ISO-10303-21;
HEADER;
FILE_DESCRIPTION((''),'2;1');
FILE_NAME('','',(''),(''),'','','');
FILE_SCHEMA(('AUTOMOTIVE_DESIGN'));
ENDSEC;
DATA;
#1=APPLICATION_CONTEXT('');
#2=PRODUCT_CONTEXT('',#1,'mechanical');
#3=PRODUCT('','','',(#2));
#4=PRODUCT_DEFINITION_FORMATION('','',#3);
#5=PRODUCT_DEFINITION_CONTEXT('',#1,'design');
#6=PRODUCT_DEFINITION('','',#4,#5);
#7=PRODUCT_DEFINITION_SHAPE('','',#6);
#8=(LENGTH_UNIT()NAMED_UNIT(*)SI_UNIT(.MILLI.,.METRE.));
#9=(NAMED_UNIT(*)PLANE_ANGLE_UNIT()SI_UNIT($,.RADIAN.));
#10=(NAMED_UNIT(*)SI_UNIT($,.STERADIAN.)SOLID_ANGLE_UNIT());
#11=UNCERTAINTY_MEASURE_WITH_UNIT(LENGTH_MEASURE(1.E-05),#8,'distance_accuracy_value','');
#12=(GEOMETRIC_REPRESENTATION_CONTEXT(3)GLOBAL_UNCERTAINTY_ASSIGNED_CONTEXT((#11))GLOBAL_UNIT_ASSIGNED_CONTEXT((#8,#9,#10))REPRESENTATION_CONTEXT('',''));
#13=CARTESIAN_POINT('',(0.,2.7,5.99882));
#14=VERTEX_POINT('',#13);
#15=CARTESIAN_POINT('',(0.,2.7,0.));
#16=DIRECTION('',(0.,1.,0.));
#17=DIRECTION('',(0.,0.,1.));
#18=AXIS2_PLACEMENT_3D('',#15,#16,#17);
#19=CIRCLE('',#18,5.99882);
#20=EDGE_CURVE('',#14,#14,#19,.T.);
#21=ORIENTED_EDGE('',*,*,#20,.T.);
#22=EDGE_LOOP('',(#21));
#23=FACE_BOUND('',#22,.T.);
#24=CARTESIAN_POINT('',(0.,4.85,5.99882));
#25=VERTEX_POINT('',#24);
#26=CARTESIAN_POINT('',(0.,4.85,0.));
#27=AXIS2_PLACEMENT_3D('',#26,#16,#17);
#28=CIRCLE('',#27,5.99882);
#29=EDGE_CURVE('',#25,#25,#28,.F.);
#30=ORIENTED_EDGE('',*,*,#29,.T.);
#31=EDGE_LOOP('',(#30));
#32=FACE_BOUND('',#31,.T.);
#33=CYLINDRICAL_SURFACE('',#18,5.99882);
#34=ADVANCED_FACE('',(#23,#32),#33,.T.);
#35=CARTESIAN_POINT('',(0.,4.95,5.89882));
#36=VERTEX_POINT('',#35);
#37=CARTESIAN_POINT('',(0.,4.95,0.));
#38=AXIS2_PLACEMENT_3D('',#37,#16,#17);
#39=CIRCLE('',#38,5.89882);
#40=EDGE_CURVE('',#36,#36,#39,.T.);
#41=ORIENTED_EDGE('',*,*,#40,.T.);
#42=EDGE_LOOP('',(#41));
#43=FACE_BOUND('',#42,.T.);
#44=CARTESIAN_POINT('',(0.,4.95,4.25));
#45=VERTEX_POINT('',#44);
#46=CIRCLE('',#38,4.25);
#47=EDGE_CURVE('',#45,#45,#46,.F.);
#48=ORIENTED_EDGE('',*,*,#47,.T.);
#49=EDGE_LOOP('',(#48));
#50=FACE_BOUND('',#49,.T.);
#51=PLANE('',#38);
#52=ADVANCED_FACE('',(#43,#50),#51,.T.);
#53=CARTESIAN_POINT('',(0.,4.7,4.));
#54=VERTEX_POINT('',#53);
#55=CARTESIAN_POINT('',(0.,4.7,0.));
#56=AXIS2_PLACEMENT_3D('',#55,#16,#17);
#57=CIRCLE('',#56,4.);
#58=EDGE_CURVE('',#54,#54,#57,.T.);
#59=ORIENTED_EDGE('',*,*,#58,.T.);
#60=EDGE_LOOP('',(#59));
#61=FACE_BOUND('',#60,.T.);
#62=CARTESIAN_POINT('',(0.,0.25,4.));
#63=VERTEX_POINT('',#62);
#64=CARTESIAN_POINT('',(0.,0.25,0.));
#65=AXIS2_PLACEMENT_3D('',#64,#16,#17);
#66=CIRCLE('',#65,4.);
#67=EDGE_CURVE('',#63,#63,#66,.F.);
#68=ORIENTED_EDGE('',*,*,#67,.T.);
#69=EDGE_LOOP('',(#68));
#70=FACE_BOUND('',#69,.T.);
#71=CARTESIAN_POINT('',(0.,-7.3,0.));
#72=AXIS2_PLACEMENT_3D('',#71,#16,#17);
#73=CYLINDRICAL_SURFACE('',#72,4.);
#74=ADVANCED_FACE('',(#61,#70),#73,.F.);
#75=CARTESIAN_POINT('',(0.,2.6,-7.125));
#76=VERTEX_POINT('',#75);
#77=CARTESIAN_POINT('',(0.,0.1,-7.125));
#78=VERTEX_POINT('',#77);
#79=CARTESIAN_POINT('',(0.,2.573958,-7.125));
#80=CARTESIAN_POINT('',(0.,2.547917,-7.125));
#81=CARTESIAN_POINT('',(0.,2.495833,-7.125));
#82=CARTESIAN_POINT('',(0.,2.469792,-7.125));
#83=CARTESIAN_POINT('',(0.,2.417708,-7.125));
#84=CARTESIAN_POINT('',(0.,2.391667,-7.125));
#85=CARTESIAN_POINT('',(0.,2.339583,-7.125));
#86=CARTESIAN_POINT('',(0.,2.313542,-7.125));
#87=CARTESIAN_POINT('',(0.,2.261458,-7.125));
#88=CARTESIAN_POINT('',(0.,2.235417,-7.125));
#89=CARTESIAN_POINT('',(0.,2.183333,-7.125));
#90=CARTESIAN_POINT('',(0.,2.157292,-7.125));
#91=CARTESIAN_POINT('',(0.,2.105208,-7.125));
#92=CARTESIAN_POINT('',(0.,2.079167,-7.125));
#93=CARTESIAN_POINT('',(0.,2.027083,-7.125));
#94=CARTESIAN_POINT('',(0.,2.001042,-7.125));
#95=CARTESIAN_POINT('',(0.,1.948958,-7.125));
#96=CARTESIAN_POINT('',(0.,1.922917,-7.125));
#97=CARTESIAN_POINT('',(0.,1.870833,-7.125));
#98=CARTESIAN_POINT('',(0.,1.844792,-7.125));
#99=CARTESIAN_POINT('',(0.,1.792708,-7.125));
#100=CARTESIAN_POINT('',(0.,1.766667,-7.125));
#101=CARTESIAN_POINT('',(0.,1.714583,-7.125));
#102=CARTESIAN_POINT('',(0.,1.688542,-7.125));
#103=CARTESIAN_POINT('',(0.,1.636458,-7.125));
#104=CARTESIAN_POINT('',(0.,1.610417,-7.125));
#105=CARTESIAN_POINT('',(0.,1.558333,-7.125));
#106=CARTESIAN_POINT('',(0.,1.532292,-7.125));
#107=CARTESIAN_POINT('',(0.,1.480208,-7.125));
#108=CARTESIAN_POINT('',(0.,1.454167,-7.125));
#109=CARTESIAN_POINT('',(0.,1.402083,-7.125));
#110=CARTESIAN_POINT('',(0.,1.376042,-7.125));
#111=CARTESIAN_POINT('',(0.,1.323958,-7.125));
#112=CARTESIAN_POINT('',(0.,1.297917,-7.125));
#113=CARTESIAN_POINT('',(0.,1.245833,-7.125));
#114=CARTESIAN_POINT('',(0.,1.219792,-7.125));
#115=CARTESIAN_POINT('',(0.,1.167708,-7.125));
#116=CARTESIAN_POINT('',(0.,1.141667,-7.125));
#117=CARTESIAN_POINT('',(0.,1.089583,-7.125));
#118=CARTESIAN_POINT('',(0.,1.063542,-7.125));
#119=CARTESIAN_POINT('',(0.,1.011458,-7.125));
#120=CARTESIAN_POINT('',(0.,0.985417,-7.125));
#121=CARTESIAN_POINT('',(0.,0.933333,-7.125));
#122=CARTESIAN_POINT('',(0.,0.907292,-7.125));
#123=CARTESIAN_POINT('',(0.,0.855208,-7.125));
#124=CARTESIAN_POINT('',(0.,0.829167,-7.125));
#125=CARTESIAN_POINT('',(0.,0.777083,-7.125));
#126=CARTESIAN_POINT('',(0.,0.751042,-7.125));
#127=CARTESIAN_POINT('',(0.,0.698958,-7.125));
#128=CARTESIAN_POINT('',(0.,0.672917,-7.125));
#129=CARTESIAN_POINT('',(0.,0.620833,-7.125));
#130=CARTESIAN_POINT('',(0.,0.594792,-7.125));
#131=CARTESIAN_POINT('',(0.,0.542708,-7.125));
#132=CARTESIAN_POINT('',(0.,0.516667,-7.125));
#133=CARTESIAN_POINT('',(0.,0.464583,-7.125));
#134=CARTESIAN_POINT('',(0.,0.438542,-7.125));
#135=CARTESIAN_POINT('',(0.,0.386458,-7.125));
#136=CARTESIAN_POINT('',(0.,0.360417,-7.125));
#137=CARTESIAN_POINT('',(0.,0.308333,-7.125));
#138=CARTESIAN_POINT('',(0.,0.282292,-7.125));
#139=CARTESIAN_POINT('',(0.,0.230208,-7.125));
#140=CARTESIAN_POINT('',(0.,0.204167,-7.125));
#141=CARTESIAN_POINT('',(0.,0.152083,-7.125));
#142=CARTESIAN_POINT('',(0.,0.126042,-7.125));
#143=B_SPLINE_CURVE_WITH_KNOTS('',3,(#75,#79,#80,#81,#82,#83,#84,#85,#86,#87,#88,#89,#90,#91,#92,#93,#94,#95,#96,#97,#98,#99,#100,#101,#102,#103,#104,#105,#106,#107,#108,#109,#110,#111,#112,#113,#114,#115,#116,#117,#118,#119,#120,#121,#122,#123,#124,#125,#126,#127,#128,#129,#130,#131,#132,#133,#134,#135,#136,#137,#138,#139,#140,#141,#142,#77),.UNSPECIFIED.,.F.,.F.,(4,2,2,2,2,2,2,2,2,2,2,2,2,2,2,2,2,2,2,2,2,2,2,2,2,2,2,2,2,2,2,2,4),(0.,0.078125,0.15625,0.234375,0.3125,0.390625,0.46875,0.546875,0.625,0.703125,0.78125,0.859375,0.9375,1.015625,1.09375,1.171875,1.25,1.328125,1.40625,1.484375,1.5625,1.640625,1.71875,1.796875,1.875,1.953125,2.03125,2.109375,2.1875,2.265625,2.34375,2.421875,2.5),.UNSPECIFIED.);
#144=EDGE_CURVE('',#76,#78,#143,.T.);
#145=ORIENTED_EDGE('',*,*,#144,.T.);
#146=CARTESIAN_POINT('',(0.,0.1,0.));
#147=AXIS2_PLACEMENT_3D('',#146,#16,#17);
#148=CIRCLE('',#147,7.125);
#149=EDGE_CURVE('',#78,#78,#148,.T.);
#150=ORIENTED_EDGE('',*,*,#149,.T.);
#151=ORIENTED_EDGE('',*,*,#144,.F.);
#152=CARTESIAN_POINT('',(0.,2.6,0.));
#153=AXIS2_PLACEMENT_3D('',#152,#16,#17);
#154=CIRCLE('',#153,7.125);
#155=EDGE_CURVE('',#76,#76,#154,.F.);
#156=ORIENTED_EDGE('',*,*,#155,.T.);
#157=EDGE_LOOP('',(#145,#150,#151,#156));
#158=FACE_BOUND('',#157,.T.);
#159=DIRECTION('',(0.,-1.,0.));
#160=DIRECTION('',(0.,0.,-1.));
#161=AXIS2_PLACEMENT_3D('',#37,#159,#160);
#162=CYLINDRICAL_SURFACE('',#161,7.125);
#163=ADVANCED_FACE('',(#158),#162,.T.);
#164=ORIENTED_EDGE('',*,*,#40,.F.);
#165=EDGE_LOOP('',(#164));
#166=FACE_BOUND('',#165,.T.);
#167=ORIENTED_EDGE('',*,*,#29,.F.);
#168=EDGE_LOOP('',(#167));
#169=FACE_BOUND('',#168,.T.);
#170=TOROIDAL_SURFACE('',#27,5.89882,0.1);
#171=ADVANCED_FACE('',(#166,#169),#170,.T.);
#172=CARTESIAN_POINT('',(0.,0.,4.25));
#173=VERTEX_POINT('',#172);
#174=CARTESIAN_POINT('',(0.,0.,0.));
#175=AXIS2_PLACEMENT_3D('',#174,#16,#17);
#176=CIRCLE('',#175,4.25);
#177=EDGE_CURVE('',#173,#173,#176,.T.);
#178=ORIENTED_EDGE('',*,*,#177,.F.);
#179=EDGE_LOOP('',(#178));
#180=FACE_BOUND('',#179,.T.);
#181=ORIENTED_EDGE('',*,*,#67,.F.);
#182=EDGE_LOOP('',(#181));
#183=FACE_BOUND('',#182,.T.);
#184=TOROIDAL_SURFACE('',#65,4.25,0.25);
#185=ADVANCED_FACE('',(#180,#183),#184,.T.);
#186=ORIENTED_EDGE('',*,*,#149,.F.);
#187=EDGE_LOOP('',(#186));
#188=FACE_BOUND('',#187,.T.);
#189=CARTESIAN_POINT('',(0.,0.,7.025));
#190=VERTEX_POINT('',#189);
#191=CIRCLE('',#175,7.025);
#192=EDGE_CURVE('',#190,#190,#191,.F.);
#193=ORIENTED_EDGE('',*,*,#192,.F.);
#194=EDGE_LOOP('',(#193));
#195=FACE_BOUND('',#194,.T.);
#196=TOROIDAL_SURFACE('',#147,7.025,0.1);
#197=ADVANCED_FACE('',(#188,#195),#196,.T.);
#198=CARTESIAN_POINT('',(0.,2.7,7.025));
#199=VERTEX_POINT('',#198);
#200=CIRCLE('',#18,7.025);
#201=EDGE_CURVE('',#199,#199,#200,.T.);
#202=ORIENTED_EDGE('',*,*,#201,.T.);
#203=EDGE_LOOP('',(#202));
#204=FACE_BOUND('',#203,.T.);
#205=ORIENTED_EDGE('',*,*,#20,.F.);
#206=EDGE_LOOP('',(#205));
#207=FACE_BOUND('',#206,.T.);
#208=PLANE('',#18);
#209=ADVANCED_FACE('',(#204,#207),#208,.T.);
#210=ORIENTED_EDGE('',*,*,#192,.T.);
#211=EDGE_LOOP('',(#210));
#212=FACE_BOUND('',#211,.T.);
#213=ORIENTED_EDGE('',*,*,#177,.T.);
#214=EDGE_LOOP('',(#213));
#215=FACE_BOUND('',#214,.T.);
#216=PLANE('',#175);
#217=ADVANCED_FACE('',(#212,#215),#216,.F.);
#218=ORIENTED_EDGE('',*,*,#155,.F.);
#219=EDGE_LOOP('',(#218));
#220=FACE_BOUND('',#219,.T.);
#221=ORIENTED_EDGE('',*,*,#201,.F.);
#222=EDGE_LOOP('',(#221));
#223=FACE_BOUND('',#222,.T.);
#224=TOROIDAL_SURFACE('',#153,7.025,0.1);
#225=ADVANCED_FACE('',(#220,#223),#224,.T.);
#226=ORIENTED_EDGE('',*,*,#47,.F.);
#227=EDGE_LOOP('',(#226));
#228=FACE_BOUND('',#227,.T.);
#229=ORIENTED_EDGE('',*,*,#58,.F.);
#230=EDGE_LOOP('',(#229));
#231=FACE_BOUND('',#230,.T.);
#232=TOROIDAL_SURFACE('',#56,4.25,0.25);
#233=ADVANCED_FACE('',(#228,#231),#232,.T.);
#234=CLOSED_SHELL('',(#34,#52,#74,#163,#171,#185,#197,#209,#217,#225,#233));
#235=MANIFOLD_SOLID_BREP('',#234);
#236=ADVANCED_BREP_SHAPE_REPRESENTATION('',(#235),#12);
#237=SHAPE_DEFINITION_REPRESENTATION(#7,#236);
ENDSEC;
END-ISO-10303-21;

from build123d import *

# Parameters (mm, degrees)
SKETCH1_R           = 7.125
BOSS_EXTRUDE1_DEPTH = 4.95
SKETCH2_R           = 4
CUT_EXTRUDE2_DEPTH  = 12.25
CUT_EXTRUDE3_START  = -2.25
SKETCH3_R           = 7.125
SKETCH3_R_2         = 5.998819533
CUT_EXTRUDE3_DEPTH  = 2.25
FILLET1_R           = 0.1
FILLET2_R           = 0.25


with BuildPart() as part:
    # Sketch1 → Boss-Extrude1 (new body)
    with BuildSketch(Plane(origin=(0, 0, 0), x_dir=(1, 0, 0), z_dir=(0, 1, 0))):
        with Locations(Location((0, 0, 0), (0, 0, 90))):
            Circle(SKETCH1_R)
    extrude(amount=BOSS_EXTRUDE1_DEPTH)

    # Sketch2 → Cut-Extrude2 (cut)
    with BuildSketch(Plane(origin=(0, 4.95, 0), x_dir=(1, 0, 0), z_dir=(0, 1, 0))):
        with Locations(Location((0, 0, 0), (0, 0, 270))):
            Circle(SKETCH2_R)
    extrude(amount=-CUT_EXTRUDE2_DEPTH, mode=Mode.SUBTRACT)

    # Sketch3 → Cut-Extrude3 (cut)
    with BuildSketch(Plane(origin=(0, 4.95, 0), x_dir=(1, 0, 0), z_dir=(0, 1, 0)).offset(CUT_EXTRUDE3_START)):
        with Locations(Location((0, 0, 0), (0, 0, 90))):
            Circle(SKETCH3_R)
        with Locations(Location((0, 0, 0), (0, 0, 270))):
            Circle(SKETCH3_R_2, mode=Mode.SUBTRACT)
    extrude(amount=CUT_EXTRUDE3_DEPTH, mode=Mode.SUBTRACT)

    # Fillet1
    fillet1_edges = [part.edges().sort_by_distance(p)[0] for p in [
        (0, 2.7, 7.125),
        (0, 4.95, -5.998819533),
        (0, 0, 7.125),
    ]]
    fillet(fillet1_edges, radius=FILLET1_R)

    # Fillet2
    fillet2_edges = [part.edges().sort_by_distance(p)[0] for p in [
        (0, 0, -4),
        (0, 4.95, -4),
    ]]
    fillet(fillet2_edges, radius=FILLET2_R)


solid = part.part
